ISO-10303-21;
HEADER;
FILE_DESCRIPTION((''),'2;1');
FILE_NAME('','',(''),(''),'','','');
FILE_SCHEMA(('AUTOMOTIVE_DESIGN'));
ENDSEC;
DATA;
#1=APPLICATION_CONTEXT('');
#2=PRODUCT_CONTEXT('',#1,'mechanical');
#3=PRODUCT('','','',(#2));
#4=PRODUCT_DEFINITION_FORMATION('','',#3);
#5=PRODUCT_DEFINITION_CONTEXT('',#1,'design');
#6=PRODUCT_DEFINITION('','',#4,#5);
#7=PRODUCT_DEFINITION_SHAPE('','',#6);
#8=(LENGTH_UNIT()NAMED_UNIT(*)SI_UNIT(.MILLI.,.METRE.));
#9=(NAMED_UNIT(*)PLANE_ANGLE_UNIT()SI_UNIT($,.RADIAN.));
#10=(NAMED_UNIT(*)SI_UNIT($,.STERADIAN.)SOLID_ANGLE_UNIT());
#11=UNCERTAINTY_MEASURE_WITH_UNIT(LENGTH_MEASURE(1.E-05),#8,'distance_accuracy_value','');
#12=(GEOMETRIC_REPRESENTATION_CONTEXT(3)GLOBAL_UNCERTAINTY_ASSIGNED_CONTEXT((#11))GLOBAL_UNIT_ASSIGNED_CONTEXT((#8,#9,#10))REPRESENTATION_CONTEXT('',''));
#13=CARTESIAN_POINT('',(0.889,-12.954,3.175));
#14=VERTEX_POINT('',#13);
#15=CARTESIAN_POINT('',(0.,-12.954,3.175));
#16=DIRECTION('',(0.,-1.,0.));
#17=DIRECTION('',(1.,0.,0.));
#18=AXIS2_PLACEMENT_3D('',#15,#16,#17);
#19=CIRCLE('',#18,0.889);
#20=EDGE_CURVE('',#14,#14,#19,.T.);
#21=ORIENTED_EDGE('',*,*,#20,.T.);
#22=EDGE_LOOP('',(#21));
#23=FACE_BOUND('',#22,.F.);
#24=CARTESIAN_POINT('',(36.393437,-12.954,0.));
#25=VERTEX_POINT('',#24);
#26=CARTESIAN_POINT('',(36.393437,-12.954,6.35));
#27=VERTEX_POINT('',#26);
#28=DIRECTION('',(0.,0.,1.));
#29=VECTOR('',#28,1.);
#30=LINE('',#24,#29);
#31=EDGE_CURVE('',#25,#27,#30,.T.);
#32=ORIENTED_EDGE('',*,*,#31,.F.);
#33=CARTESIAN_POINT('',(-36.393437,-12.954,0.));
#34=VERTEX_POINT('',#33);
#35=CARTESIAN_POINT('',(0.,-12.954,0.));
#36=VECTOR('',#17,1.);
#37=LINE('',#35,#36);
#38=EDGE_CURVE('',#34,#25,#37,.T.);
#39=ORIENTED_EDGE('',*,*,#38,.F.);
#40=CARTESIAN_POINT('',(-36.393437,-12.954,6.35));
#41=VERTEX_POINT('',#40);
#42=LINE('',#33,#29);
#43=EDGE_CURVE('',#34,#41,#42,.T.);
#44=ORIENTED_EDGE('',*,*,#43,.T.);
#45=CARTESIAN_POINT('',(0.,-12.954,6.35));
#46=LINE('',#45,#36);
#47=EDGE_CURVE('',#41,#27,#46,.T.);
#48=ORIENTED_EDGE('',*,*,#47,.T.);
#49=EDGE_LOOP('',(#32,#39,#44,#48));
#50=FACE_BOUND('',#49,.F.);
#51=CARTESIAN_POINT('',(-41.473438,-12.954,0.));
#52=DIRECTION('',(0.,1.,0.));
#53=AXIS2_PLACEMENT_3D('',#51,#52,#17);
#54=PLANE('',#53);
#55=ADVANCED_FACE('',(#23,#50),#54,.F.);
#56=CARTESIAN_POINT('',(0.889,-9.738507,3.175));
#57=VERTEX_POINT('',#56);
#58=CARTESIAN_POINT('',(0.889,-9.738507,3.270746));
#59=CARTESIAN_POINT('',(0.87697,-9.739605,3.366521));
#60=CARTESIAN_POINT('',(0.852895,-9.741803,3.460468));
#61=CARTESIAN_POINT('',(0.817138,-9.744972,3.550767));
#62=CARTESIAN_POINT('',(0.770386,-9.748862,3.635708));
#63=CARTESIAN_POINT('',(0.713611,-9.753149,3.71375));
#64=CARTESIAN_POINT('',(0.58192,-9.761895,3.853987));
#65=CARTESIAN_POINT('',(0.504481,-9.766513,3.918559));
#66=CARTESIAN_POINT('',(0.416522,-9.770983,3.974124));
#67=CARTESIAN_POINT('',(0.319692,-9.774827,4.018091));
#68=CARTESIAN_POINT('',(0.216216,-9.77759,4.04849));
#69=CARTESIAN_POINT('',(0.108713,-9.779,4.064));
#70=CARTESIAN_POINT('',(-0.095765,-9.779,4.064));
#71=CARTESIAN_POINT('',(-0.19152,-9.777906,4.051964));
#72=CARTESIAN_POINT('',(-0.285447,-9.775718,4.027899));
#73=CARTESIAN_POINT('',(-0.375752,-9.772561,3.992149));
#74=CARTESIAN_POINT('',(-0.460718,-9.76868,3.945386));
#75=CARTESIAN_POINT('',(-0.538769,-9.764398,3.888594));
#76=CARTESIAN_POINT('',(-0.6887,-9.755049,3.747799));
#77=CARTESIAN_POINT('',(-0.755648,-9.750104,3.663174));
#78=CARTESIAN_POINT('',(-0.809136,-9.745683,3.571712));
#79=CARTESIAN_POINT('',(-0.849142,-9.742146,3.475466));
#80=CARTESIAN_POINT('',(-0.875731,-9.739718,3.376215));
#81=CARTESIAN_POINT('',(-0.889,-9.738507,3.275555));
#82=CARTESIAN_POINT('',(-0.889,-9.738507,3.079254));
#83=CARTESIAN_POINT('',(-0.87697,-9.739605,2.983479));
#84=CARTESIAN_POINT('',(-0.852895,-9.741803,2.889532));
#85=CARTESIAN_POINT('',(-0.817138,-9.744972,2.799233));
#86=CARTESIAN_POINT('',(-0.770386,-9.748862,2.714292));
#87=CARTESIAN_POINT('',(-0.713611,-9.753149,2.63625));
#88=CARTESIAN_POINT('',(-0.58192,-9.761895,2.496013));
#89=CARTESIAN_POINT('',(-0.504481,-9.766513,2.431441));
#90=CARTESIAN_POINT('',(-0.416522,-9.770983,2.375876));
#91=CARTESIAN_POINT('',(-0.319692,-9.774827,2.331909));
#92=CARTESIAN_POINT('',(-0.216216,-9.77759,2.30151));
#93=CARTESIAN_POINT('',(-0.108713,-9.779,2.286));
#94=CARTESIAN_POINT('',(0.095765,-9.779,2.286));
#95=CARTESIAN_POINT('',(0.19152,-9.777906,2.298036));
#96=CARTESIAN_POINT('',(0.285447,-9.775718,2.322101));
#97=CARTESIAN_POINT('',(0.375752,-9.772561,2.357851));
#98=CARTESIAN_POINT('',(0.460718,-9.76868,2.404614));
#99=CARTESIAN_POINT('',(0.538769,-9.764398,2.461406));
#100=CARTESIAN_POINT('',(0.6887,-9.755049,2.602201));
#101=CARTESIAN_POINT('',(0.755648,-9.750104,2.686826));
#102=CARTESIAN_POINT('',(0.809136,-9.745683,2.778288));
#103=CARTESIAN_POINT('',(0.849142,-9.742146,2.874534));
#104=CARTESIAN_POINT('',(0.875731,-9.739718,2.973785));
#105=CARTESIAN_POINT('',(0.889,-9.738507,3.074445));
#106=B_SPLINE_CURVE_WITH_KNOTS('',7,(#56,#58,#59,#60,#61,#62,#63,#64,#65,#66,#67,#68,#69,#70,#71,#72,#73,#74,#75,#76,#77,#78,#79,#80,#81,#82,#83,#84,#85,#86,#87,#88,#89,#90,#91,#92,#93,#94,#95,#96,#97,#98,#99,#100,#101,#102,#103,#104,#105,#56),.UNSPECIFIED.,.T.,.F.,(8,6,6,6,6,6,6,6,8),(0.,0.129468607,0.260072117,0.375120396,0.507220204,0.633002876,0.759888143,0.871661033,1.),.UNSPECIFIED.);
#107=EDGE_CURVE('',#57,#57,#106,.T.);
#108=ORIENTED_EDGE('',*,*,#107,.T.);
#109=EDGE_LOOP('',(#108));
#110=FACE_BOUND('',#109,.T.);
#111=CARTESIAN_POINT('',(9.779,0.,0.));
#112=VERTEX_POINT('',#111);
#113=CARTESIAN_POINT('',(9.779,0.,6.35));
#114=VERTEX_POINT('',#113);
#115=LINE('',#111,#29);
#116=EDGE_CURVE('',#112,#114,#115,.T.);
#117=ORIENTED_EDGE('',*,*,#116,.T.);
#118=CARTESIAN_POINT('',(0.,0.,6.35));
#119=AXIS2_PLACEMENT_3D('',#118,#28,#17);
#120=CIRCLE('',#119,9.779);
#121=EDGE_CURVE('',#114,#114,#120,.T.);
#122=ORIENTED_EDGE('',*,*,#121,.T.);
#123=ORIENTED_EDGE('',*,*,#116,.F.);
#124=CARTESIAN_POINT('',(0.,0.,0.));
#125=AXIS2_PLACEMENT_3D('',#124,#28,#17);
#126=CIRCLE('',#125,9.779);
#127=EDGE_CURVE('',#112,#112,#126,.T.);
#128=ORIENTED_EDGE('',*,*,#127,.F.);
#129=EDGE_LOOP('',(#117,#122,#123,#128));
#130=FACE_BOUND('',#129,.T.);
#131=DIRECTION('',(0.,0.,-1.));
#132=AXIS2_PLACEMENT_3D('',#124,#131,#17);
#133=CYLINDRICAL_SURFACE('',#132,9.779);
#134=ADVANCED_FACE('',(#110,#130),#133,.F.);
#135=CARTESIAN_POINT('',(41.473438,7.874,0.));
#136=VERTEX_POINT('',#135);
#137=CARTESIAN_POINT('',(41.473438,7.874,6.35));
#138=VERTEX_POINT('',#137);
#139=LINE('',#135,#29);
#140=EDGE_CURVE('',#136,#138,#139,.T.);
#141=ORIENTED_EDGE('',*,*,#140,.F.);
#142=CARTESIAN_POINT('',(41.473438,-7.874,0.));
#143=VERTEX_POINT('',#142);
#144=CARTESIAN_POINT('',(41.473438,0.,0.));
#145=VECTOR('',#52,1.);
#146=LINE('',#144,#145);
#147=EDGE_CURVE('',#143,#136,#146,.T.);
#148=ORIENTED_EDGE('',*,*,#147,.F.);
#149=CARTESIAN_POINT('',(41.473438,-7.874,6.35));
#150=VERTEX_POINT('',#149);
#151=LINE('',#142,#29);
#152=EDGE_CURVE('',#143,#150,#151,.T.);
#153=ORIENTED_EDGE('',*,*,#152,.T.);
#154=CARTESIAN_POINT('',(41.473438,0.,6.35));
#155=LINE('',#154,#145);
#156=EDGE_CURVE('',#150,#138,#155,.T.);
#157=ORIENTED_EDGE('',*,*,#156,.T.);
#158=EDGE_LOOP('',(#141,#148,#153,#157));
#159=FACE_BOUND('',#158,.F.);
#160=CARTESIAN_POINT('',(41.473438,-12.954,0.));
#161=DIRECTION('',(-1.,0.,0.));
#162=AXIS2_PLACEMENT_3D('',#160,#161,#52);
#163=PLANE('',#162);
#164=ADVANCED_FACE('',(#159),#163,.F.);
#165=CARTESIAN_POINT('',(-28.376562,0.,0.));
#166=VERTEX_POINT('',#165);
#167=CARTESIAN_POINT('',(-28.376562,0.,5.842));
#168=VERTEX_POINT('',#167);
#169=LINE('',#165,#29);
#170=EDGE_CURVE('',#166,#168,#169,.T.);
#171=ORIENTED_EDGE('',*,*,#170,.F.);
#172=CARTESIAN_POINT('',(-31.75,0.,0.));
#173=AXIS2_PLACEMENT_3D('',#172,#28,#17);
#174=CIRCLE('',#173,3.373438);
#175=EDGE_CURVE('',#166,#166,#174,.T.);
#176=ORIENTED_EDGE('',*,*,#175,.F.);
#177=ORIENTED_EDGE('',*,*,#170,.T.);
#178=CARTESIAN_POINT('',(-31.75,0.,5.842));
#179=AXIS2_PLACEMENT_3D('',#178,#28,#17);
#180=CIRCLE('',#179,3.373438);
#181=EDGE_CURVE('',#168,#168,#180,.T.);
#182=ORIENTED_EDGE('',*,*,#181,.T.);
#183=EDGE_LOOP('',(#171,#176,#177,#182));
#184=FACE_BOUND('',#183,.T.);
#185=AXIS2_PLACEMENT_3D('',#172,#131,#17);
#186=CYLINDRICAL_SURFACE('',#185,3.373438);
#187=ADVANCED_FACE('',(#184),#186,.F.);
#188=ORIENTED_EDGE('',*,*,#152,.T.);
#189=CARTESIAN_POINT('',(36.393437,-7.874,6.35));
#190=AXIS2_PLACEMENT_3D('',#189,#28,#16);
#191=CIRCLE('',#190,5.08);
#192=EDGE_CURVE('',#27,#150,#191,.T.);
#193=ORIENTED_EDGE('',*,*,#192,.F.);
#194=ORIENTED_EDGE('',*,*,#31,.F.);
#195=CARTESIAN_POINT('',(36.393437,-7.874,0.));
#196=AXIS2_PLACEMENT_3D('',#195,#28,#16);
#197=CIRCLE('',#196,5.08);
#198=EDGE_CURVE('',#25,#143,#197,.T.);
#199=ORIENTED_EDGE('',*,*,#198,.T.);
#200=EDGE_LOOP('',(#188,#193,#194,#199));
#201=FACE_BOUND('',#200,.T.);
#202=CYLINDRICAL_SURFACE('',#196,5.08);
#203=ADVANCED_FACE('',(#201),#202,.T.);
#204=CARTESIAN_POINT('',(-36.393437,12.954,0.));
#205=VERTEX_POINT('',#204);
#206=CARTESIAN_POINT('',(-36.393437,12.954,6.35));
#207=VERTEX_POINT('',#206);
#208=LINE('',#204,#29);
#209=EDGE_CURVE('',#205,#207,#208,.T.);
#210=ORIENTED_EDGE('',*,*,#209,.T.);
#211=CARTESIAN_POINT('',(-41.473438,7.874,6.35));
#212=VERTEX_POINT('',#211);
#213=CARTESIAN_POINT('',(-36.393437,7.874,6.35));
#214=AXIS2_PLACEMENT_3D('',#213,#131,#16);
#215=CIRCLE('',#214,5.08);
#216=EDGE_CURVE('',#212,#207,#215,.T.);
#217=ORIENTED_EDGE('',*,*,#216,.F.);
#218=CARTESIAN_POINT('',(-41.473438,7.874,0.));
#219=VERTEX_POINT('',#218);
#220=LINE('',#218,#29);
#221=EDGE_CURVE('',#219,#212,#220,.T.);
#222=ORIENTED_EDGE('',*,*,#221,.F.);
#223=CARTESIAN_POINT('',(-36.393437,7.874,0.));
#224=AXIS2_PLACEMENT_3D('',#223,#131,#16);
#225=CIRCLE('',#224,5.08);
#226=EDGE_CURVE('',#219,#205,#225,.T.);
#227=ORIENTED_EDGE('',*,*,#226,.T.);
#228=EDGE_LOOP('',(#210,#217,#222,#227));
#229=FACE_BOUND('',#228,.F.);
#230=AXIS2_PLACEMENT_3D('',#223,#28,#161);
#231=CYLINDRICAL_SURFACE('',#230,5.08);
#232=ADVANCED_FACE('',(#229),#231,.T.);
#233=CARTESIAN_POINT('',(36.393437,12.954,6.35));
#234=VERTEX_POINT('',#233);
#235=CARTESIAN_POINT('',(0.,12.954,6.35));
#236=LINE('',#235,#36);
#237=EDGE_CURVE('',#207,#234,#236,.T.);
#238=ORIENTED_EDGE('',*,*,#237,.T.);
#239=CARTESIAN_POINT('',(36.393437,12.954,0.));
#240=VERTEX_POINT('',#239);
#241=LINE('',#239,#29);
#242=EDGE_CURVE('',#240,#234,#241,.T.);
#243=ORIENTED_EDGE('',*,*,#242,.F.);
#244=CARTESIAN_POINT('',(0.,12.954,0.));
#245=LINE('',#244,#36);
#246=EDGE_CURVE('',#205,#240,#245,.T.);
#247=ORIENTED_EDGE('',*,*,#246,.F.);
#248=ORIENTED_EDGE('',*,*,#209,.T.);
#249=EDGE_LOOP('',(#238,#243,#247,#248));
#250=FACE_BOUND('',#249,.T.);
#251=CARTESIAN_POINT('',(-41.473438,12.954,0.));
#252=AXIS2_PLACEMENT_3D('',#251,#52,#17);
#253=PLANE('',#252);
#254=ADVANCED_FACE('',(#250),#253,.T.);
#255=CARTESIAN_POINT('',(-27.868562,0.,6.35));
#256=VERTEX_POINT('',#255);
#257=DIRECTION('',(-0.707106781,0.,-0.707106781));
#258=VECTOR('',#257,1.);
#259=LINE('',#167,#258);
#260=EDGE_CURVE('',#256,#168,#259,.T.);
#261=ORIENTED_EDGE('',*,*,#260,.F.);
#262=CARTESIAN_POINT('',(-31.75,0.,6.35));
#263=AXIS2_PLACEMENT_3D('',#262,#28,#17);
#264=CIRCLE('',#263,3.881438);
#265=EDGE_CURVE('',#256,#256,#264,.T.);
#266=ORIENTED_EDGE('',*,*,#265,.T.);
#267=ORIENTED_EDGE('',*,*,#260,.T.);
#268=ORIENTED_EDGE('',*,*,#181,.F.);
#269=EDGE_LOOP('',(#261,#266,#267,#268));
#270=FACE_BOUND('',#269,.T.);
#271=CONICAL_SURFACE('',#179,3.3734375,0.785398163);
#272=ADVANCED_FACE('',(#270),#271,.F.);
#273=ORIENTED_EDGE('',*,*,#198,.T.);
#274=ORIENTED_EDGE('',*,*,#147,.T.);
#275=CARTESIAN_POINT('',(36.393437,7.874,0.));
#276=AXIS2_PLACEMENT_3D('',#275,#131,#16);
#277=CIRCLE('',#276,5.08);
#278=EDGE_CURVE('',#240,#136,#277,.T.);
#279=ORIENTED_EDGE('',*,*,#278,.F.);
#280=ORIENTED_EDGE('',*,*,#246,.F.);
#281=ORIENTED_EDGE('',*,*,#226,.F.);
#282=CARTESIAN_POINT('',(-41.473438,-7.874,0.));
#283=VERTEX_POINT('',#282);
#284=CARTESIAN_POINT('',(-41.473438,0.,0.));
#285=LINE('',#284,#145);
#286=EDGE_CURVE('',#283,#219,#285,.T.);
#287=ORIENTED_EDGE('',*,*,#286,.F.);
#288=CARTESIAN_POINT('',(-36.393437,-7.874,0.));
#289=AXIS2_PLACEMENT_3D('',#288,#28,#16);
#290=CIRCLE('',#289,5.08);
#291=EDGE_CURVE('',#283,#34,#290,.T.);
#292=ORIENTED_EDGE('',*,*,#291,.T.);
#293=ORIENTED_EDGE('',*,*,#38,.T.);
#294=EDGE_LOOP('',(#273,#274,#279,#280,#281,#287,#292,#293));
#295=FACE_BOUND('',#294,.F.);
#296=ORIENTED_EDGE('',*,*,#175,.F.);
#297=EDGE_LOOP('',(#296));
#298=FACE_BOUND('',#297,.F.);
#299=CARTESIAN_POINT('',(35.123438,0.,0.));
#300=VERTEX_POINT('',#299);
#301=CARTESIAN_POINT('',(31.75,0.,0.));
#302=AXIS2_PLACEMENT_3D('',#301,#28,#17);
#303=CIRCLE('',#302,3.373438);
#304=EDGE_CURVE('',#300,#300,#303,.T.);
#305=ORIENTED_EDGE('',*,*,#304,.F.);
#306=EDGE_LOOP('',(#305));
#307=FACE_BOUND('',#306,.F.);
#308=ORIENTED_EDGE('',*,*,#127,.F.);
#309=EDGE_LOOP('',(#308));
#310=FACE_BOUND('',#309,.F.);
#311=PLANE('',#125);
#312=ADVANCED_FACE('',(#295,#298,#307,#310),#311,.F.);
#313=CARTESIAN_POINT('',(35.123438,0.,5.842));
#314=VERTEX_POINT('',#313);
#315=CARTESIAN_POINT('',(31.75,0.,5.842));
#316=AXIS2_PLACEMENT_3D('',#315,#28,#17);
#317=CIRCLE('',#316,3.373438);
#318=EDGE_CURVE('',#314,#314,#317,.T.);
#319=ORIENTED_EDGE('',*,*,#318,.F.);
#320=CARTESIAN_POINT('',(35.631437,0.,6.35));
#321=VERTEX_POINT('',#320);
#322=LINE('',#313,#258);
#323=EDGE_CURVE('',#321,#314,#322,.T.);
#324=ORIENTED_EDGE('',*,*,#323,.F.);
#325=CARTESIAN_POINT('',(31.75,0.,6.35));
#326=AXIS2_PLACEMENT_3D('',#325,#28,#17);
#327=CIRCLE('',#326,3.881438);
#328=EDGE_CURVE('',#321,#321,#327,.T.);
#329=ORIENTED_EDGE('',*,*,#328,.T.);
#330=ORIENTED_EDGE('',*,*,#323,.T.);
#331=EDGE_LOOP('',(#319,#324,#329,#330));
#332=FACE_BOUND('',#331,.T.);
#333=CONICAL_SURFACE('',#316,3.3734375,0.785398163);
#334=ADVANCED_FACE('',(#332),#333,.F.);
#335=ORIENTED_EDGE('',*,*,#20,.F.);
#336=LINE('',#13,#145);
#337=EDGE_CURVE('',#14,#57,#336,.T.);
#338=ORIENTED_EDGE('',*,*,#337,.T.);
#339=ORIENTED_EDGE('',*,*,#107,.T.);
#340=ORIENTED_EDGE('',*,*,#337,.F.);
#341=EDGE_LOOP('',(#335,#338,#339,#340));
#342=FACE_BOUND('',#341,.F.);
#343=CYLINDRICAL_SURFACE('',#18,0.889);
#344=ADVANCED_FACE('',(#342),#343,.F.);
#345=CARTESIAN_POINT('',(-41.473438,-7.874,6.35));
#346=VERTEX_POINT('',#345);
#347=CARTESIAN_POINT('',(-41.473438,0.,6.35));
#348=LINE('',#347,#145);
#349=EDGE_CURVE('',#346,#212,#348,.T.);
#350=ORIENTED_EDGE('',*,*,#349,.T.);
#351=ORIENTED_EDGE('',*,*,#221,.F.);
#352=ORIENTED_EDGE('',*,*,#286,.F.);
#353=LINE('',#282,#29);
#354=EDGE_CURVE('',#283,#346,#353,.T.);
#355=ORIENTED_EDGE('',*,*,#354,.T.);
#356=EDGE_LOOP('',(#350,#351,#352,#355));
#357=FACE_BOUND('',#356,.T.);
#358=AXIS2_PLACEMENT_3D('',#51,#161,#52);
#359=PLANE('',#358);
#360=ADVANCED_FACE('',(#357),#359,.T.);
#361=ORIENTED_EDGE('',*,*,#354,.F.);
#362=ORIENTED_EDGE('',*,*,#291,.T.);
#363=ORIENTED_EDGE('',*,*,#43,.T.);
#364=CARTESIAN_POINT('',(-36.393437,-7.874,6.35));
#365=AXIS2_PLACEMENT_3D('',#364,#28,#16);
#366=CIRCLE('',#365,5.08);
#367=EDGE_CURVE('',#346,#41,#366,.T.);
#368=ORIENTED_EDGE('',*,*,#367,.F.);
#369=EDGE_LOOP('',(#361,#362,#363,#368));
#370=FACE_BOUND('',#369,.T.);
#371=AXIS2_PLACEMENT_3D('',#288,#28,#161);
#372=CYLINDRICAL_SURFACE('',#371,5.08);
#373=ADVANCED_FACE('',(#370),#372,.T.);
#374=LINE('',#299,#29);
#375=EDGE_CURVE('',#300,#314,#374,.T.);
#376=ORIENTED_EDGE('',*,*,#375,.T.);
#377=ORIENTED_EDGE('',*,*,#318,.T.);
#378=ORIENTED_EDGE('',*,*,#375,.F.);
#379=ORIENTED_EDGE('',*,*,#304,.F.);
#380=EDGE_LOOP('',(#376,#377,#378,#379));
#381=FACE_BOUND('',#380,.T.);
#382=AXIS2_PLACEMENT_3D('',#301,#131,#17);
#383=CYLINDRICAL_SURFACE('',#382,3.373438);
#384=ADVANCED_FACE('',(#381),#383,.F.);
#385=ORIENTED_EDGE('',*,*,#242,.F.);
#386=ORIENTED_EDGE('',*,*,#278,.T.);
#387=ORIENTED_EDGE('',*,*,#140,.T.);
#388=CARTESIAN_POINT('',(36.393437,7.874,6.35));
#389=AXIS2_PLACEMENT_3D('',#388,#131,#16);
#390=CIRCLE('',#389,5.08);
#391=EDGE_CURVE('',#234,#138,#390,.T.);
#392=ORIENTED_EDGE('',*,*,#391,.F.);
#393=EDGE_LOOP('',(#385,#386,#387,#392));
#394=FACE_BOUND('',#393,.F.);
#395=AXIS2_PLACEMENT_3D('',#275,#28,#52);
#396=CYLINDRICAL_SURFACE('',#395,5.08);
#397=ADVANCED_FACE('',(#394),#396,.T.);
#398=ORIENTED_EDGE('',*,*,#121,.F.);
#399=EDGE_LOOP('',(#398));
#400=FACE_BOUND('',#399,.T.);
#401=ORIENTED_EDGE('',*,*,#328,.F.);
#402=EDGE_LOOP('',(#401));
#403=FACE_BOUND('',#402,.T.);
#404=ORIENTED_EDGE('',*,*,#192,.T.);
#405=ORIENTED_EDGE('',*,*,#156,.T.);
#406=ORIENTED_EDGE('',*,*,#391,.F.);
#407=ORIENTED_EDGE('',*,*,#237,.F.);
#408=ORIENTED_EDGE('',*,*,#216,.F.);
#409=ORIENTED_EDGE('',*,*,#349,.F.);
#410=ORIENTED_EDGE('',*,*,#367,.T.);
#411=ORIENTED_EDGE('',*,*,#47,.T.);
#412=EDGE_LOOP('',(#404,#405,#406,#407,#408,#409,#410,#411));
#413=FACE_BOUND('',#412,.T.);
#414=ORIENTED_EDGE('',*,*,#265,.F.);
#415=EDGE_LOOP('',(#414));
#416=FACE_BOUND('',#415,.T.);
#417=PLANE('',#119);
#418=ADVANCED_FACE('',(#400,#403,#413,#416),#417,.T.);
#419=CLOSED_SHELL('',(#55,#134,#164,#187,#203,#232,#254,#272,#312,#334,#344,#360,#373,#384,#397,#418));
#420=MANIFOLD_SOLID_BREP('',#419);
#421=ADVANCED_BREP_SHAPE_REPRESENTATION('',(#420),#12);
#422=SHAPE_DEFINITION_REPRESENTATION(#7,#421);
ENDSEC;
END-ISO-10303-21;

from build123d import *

# Parameters (mm, degrees)
F0_W     = 82.946875
F0_H     = 25.908
F0_R     = 3.3734375
F0_R_2   = 9.779
F1_DEPTH = 6.35
F2_R     = 0.889
F3_DEPTH = 3.2164930276
F4_R     = 5.08
F5_SIZE  = 0.508


with BuildPart() as f1:
    # F0 (on Top) → F1 (new body)
    with BuildSketch(Plane.XY):
        Rectangle(F0_W, F0_H)
        with Locations((-31.75, 0)):
            Circle(F0_R, mode=Mode.SUBTRACT)
        Circle(F0_R_2, mode=Mode.SUBTRACT)
        with Locations((31.75, 0)):
            Circle(F0_R, mode=Mode.SUBTRACT)
    extrude(amount=F1_DEPTH)

    # F2 (on face) → F3 (cut, through all)
    with BuildSketch(Plane.XZ.offset(12.954)):
        with Locations((0, 3.175)):
            Circle(F2_R)
    extrude(amount=-F3_DEPTH, mode=Mode.SUBTRACT)

    # F4
    f4_edges = [f1.edges().sort_by_distance(p)[0] for p in [
        (41.473438, -12.954, 3.175),
        (41.473438, 12.954, 3.175),
        (-41.473438, -12.954, 3.175),
        (-41.473438, 12.954, 3.175),
    ]]
    fillet(f4_edges, radius=F4_R)

    # F5
    f5_edges = [f1.edges().sort_by_distance(p)[0] for p in [
        (-35.123438, 0, 6.35),
        (28.376562, 0, 6.35),
    ]]
    chamfer(f5_edges, length=F5_SIZE)


solid = f1.part
